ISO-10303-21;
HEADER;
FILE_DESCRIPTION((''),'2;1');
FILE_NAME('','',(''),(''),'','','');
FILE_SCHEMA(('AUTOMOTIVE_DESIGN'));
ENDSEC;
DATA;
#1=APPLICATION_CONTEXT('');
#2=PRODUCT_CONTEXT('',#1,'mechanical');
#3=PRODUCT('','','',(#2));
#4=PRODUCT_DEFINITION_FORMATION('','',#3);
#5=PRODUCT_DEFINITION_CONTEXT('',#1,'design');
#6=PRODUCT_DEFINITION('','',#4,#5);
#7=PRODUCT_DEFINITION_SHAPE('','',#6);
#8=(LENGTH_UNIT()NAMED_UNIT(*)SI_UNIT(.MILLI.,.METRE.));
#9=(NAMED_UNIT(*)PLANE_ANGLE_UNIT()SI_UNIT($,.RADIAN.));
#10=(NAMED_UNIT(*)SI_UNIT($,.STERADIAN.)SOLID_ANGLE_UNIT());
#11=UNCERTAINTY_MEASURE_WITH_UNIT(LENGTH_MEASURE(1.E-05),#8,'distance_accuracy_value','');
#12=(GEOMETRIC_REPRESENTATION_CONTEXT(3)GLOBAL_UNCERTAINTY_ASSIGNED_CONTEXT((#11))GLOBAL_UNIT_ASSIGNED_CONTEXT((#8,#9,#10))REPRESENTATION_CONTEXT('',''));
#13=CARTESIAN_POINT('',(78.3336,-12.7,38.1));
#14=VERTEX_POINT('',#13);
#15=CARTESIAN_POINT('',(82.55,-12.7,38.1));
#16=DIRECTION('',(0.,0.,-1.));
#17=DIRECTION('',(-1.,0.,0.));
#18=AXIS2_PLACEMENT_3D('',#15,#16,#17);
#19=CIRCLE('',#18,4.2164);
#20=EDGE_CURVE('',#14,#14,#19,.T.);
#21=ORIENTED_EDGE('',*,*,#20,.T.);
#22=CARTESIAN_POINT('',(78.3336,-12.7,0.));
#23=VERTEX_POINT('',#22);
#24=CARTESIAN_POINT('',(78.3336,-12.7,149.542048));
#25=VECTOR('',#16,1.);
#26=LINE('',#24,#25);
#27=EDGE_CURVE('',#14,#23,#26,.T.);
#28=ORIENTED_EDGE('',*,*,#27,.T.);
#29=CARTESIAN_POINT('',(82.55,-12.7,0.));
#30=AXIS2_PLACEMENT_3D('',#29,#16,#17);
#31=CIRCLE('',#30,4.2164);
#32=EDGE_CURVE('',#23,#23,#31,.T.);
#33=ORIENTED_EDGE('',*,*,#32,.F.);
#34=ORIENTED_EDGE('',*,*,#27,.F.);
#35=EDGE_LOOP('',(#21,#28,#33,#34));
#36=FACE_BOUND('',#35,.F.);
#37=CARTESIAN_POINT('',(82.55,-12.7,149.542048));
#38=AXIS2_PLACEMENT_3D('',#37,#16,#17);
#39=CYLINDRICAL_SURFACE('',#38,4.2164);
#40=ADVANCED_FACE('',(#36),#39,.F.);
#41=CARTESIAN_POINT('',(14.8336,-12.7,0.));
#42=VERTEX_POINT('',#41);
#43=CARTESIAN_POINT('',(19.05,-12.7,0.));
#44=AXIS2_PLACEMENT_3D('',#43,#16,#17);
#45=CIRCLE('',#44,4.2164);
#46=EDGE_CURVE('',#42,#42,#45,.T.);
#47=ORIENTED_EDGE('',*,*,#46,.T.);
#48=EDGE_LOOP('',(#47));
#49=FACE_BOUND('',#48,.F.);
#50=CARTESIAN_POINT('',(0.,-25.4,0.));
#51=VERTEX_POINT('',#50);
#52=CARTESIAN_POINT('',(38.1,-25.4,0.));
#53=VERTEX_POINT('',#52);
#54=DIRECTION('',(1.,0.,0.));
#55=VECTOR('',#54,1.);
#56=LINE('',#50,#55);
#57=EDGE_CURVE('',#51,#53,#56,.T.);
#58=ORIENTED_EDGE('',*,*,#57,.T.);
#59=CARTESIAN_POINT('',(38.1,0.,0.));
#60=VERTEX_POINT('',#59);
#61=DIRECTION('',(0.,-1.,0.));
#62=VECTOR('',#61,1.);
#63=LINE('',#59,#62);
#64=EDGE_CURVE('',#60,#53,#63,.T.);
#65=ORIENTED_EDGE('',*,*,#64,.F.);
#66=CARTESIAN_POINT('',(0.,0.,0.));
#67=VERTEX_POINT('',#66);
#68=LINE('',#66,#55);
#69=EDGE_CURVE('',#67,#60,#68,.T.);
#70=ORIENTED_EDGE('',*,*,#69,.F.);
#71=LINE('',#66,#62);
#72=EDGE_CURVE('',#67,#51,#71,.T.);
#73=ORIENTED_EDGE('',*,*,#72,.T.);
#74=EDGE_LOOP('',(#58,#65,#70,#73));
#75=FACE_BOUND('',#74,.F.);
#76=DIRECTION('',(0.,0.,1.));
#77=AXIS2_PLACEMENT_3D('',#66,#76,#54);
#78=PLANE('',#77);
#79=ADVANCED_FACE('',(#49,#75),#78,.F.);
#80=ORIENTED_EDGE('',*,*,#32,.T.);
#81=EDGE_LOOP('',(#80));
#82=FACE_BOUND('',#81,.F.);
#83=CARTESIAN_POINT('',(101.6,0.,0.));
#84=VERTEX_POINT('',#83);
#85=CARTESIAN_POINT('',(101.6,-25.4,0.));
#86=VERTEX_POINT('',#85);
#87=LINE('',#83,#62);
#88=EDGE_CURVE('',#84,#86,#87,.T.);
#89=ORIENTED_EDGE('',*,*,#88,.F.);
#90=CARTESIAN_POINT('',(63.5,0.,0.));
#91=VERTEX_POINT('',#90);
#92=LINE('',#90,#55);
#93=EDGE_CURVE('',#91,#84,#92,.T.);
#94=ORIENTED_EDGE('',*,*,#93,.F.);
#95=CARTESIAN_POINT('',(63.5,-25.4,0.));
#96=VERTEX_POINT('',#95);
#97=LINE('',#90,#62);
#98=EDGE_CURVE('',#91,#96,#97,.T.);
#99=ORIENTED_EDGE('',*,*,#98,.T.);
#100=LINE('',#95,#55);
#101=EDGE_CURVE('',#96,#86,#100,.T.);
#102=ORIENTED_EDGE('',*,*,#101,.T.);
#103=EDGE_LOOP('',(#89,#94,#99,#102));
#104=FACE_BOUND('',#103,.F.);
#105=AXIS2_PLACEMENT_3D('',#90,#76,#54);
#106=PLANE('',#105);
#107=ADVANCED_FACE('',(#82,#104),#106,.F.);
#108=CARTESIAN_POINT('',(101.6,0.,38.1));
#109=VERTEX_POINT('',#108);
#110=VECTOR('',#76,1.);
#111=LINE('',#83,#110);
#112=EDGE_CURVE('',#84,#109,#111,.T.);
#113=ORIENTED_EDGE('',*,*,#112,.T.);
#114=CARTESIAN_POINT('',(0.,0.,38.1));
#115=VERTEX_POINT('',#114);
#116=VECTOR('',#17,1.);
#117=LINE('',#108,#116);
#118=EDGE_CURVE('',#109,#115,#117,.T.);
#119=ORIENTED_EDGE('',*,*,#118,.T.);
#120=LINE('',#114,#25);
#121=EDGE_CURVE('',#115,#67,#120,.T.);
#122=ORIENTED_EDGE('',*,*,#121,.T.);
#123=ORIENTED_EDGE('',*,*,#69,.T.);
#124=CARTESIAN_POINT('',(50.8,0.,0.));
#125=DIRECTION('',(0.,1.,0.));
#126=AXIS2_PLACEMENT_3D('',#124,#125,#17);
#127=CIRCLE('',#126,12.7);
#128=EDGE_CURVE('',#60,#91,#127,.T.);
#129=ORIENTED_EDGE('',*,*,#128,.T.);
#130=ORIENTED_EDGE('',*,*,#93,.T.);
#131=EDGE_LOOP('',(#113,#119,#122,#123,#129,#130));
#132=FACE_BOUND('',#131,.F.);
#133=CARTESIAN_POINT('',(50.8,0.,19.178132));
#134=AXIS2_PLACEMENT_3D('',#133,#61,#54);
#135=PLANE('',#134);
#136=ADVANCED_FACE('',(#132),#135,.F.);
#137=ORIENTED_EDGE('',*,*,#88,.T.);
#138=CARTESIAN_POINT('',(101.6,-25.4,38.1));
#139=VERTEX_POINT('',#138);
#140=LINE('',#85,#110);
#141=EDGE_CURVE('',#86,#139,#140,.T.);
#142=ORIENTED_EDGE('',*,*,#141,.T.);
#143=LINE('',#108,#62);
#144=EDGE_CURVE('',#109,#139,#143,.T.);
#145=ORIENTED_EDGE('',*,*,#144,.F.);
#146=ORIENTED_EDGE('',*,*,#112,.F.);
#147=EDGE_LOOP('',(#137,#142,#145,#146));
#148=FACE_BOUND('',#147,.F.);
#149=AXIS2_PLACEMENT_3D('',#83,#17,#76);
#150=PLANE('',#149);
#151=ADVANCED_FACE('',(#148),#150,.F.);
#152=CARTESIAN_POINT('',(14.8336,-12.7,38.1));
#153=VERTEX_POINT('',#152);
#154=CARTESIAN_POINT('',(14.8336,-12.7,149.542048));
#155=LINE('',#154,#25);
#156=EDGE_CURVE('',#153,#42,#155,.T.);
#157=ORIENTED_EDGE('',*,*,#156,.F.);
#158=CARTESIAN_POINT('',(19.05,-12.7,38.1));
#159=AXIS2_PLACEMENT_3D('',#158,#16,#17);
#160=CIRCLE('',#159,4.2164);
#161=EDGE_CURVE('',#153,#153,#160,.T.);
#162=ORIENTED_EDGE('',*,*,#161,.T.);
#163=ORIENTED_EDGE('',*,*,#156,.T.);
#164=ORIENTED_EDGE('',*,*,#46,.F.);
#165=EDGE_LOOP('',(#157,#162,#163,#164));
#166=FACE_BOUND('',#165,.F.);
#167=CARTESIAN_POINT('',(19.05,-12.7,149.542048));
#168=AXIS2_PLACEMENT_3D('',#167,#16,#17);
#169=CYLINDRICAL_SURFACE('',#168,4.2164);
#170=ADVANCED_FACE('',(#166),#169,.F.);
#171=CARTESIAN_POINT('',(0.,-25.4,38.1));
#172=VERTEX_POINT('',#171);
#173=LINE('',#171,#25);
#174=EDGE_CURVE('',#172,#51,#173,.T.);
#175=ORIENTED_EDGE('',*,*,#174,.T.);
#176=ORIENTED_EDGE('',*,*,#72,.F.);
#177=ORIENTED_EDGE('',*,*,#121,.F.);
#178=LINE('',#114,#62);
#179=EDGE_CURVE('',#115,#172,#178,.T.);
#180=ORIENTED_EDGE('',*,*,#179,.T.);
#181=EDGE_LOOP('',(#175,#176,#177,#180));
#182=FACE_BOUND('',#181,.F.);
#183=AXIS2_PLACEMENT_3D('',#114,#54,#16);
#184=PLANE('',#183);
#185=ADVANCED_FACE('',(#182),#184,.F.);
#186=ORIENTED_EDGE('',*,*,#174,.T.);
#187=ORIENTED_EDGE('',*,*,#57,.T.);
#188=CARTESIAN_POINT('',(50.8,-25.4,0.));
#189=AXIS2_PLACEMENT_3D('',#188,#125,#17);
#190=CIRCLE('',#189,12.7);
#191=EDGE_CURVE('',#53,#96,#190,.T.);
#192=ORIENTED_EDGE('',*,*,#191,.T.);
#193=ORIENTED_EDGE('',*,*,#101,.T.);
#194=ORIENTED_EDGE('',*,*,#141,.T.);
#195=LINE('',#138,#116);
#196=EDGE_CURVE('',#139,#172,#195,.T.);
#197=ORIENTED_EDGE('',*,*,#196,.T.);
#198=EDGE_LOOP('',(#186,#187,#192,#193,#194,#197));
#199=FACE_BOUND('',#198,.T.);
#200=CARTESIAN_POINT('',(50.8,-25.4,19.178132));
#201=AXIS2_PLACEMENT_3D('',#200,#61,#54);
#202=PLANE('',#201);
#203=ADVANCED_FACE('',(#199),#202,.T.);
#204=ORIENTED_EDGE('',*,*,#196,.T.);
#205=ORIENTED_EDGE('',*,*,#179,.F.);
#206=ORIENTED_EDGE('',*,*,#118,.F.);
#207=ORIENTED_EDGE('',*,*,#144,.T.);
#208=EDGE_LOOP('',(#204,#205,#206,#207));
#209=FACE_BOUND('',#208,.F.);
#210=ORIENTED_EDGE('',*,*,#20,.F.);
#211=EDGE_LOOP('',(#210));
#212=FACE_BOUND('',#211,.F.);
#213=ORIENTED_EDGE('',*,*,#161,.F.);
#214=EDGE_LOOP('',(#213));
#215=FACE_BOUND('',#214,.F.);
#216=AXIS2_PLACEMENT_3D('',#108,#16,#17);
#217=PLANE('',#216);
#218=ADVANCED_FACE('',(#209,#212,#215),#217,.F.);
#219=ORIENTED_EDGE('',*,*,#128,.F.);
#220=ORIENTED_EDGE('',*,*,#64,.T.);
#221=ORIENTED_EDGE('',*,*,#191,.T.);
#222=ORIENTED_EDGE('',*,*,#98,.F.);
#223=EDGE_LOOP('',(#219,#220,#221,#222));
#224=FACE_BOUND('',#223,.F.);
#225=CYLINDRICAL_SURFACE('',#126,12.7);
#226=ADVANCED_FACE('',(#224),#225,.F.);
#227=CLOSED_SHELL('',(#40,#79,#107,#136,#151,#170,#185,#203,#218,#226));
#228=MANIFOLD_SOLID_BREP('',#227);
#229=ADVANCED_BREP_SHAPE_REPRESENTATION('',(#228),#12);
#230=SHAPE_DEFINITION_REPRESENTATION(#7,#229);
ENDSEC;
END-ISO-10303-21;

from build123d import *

# Parameters (mm, degrees)
F1_DEPTH = 25.4
F3_D     = 8.4328


with BuildPart() as f1:
    # F0 (on Front) → F1 (new body)
    with BuildSketch(Plane.XZ):
        with BuildLine():
            Line((0, 38.1), (0, 0))
            Line((0, 0), (38.1, 0))
            ThreePointArc((38.1, 0), (50.8, 12.7), (63.5, 0))
            Line((63.5, 0), (101.6, 0))
            Line((101.6, 0), (101.6, 38.1))
            Line((101.6, 38.1), (0, 38.1))
        make_face()
    extrude(amount=F1_DEPTH)

    # F3 (through all)
    with Locations(Plane.XY.offset(38.1)):
        with Locations((19.05, -12.7), (82.55, -12.7)):
            Hole(F3_D / 2)


solid = f1.part
